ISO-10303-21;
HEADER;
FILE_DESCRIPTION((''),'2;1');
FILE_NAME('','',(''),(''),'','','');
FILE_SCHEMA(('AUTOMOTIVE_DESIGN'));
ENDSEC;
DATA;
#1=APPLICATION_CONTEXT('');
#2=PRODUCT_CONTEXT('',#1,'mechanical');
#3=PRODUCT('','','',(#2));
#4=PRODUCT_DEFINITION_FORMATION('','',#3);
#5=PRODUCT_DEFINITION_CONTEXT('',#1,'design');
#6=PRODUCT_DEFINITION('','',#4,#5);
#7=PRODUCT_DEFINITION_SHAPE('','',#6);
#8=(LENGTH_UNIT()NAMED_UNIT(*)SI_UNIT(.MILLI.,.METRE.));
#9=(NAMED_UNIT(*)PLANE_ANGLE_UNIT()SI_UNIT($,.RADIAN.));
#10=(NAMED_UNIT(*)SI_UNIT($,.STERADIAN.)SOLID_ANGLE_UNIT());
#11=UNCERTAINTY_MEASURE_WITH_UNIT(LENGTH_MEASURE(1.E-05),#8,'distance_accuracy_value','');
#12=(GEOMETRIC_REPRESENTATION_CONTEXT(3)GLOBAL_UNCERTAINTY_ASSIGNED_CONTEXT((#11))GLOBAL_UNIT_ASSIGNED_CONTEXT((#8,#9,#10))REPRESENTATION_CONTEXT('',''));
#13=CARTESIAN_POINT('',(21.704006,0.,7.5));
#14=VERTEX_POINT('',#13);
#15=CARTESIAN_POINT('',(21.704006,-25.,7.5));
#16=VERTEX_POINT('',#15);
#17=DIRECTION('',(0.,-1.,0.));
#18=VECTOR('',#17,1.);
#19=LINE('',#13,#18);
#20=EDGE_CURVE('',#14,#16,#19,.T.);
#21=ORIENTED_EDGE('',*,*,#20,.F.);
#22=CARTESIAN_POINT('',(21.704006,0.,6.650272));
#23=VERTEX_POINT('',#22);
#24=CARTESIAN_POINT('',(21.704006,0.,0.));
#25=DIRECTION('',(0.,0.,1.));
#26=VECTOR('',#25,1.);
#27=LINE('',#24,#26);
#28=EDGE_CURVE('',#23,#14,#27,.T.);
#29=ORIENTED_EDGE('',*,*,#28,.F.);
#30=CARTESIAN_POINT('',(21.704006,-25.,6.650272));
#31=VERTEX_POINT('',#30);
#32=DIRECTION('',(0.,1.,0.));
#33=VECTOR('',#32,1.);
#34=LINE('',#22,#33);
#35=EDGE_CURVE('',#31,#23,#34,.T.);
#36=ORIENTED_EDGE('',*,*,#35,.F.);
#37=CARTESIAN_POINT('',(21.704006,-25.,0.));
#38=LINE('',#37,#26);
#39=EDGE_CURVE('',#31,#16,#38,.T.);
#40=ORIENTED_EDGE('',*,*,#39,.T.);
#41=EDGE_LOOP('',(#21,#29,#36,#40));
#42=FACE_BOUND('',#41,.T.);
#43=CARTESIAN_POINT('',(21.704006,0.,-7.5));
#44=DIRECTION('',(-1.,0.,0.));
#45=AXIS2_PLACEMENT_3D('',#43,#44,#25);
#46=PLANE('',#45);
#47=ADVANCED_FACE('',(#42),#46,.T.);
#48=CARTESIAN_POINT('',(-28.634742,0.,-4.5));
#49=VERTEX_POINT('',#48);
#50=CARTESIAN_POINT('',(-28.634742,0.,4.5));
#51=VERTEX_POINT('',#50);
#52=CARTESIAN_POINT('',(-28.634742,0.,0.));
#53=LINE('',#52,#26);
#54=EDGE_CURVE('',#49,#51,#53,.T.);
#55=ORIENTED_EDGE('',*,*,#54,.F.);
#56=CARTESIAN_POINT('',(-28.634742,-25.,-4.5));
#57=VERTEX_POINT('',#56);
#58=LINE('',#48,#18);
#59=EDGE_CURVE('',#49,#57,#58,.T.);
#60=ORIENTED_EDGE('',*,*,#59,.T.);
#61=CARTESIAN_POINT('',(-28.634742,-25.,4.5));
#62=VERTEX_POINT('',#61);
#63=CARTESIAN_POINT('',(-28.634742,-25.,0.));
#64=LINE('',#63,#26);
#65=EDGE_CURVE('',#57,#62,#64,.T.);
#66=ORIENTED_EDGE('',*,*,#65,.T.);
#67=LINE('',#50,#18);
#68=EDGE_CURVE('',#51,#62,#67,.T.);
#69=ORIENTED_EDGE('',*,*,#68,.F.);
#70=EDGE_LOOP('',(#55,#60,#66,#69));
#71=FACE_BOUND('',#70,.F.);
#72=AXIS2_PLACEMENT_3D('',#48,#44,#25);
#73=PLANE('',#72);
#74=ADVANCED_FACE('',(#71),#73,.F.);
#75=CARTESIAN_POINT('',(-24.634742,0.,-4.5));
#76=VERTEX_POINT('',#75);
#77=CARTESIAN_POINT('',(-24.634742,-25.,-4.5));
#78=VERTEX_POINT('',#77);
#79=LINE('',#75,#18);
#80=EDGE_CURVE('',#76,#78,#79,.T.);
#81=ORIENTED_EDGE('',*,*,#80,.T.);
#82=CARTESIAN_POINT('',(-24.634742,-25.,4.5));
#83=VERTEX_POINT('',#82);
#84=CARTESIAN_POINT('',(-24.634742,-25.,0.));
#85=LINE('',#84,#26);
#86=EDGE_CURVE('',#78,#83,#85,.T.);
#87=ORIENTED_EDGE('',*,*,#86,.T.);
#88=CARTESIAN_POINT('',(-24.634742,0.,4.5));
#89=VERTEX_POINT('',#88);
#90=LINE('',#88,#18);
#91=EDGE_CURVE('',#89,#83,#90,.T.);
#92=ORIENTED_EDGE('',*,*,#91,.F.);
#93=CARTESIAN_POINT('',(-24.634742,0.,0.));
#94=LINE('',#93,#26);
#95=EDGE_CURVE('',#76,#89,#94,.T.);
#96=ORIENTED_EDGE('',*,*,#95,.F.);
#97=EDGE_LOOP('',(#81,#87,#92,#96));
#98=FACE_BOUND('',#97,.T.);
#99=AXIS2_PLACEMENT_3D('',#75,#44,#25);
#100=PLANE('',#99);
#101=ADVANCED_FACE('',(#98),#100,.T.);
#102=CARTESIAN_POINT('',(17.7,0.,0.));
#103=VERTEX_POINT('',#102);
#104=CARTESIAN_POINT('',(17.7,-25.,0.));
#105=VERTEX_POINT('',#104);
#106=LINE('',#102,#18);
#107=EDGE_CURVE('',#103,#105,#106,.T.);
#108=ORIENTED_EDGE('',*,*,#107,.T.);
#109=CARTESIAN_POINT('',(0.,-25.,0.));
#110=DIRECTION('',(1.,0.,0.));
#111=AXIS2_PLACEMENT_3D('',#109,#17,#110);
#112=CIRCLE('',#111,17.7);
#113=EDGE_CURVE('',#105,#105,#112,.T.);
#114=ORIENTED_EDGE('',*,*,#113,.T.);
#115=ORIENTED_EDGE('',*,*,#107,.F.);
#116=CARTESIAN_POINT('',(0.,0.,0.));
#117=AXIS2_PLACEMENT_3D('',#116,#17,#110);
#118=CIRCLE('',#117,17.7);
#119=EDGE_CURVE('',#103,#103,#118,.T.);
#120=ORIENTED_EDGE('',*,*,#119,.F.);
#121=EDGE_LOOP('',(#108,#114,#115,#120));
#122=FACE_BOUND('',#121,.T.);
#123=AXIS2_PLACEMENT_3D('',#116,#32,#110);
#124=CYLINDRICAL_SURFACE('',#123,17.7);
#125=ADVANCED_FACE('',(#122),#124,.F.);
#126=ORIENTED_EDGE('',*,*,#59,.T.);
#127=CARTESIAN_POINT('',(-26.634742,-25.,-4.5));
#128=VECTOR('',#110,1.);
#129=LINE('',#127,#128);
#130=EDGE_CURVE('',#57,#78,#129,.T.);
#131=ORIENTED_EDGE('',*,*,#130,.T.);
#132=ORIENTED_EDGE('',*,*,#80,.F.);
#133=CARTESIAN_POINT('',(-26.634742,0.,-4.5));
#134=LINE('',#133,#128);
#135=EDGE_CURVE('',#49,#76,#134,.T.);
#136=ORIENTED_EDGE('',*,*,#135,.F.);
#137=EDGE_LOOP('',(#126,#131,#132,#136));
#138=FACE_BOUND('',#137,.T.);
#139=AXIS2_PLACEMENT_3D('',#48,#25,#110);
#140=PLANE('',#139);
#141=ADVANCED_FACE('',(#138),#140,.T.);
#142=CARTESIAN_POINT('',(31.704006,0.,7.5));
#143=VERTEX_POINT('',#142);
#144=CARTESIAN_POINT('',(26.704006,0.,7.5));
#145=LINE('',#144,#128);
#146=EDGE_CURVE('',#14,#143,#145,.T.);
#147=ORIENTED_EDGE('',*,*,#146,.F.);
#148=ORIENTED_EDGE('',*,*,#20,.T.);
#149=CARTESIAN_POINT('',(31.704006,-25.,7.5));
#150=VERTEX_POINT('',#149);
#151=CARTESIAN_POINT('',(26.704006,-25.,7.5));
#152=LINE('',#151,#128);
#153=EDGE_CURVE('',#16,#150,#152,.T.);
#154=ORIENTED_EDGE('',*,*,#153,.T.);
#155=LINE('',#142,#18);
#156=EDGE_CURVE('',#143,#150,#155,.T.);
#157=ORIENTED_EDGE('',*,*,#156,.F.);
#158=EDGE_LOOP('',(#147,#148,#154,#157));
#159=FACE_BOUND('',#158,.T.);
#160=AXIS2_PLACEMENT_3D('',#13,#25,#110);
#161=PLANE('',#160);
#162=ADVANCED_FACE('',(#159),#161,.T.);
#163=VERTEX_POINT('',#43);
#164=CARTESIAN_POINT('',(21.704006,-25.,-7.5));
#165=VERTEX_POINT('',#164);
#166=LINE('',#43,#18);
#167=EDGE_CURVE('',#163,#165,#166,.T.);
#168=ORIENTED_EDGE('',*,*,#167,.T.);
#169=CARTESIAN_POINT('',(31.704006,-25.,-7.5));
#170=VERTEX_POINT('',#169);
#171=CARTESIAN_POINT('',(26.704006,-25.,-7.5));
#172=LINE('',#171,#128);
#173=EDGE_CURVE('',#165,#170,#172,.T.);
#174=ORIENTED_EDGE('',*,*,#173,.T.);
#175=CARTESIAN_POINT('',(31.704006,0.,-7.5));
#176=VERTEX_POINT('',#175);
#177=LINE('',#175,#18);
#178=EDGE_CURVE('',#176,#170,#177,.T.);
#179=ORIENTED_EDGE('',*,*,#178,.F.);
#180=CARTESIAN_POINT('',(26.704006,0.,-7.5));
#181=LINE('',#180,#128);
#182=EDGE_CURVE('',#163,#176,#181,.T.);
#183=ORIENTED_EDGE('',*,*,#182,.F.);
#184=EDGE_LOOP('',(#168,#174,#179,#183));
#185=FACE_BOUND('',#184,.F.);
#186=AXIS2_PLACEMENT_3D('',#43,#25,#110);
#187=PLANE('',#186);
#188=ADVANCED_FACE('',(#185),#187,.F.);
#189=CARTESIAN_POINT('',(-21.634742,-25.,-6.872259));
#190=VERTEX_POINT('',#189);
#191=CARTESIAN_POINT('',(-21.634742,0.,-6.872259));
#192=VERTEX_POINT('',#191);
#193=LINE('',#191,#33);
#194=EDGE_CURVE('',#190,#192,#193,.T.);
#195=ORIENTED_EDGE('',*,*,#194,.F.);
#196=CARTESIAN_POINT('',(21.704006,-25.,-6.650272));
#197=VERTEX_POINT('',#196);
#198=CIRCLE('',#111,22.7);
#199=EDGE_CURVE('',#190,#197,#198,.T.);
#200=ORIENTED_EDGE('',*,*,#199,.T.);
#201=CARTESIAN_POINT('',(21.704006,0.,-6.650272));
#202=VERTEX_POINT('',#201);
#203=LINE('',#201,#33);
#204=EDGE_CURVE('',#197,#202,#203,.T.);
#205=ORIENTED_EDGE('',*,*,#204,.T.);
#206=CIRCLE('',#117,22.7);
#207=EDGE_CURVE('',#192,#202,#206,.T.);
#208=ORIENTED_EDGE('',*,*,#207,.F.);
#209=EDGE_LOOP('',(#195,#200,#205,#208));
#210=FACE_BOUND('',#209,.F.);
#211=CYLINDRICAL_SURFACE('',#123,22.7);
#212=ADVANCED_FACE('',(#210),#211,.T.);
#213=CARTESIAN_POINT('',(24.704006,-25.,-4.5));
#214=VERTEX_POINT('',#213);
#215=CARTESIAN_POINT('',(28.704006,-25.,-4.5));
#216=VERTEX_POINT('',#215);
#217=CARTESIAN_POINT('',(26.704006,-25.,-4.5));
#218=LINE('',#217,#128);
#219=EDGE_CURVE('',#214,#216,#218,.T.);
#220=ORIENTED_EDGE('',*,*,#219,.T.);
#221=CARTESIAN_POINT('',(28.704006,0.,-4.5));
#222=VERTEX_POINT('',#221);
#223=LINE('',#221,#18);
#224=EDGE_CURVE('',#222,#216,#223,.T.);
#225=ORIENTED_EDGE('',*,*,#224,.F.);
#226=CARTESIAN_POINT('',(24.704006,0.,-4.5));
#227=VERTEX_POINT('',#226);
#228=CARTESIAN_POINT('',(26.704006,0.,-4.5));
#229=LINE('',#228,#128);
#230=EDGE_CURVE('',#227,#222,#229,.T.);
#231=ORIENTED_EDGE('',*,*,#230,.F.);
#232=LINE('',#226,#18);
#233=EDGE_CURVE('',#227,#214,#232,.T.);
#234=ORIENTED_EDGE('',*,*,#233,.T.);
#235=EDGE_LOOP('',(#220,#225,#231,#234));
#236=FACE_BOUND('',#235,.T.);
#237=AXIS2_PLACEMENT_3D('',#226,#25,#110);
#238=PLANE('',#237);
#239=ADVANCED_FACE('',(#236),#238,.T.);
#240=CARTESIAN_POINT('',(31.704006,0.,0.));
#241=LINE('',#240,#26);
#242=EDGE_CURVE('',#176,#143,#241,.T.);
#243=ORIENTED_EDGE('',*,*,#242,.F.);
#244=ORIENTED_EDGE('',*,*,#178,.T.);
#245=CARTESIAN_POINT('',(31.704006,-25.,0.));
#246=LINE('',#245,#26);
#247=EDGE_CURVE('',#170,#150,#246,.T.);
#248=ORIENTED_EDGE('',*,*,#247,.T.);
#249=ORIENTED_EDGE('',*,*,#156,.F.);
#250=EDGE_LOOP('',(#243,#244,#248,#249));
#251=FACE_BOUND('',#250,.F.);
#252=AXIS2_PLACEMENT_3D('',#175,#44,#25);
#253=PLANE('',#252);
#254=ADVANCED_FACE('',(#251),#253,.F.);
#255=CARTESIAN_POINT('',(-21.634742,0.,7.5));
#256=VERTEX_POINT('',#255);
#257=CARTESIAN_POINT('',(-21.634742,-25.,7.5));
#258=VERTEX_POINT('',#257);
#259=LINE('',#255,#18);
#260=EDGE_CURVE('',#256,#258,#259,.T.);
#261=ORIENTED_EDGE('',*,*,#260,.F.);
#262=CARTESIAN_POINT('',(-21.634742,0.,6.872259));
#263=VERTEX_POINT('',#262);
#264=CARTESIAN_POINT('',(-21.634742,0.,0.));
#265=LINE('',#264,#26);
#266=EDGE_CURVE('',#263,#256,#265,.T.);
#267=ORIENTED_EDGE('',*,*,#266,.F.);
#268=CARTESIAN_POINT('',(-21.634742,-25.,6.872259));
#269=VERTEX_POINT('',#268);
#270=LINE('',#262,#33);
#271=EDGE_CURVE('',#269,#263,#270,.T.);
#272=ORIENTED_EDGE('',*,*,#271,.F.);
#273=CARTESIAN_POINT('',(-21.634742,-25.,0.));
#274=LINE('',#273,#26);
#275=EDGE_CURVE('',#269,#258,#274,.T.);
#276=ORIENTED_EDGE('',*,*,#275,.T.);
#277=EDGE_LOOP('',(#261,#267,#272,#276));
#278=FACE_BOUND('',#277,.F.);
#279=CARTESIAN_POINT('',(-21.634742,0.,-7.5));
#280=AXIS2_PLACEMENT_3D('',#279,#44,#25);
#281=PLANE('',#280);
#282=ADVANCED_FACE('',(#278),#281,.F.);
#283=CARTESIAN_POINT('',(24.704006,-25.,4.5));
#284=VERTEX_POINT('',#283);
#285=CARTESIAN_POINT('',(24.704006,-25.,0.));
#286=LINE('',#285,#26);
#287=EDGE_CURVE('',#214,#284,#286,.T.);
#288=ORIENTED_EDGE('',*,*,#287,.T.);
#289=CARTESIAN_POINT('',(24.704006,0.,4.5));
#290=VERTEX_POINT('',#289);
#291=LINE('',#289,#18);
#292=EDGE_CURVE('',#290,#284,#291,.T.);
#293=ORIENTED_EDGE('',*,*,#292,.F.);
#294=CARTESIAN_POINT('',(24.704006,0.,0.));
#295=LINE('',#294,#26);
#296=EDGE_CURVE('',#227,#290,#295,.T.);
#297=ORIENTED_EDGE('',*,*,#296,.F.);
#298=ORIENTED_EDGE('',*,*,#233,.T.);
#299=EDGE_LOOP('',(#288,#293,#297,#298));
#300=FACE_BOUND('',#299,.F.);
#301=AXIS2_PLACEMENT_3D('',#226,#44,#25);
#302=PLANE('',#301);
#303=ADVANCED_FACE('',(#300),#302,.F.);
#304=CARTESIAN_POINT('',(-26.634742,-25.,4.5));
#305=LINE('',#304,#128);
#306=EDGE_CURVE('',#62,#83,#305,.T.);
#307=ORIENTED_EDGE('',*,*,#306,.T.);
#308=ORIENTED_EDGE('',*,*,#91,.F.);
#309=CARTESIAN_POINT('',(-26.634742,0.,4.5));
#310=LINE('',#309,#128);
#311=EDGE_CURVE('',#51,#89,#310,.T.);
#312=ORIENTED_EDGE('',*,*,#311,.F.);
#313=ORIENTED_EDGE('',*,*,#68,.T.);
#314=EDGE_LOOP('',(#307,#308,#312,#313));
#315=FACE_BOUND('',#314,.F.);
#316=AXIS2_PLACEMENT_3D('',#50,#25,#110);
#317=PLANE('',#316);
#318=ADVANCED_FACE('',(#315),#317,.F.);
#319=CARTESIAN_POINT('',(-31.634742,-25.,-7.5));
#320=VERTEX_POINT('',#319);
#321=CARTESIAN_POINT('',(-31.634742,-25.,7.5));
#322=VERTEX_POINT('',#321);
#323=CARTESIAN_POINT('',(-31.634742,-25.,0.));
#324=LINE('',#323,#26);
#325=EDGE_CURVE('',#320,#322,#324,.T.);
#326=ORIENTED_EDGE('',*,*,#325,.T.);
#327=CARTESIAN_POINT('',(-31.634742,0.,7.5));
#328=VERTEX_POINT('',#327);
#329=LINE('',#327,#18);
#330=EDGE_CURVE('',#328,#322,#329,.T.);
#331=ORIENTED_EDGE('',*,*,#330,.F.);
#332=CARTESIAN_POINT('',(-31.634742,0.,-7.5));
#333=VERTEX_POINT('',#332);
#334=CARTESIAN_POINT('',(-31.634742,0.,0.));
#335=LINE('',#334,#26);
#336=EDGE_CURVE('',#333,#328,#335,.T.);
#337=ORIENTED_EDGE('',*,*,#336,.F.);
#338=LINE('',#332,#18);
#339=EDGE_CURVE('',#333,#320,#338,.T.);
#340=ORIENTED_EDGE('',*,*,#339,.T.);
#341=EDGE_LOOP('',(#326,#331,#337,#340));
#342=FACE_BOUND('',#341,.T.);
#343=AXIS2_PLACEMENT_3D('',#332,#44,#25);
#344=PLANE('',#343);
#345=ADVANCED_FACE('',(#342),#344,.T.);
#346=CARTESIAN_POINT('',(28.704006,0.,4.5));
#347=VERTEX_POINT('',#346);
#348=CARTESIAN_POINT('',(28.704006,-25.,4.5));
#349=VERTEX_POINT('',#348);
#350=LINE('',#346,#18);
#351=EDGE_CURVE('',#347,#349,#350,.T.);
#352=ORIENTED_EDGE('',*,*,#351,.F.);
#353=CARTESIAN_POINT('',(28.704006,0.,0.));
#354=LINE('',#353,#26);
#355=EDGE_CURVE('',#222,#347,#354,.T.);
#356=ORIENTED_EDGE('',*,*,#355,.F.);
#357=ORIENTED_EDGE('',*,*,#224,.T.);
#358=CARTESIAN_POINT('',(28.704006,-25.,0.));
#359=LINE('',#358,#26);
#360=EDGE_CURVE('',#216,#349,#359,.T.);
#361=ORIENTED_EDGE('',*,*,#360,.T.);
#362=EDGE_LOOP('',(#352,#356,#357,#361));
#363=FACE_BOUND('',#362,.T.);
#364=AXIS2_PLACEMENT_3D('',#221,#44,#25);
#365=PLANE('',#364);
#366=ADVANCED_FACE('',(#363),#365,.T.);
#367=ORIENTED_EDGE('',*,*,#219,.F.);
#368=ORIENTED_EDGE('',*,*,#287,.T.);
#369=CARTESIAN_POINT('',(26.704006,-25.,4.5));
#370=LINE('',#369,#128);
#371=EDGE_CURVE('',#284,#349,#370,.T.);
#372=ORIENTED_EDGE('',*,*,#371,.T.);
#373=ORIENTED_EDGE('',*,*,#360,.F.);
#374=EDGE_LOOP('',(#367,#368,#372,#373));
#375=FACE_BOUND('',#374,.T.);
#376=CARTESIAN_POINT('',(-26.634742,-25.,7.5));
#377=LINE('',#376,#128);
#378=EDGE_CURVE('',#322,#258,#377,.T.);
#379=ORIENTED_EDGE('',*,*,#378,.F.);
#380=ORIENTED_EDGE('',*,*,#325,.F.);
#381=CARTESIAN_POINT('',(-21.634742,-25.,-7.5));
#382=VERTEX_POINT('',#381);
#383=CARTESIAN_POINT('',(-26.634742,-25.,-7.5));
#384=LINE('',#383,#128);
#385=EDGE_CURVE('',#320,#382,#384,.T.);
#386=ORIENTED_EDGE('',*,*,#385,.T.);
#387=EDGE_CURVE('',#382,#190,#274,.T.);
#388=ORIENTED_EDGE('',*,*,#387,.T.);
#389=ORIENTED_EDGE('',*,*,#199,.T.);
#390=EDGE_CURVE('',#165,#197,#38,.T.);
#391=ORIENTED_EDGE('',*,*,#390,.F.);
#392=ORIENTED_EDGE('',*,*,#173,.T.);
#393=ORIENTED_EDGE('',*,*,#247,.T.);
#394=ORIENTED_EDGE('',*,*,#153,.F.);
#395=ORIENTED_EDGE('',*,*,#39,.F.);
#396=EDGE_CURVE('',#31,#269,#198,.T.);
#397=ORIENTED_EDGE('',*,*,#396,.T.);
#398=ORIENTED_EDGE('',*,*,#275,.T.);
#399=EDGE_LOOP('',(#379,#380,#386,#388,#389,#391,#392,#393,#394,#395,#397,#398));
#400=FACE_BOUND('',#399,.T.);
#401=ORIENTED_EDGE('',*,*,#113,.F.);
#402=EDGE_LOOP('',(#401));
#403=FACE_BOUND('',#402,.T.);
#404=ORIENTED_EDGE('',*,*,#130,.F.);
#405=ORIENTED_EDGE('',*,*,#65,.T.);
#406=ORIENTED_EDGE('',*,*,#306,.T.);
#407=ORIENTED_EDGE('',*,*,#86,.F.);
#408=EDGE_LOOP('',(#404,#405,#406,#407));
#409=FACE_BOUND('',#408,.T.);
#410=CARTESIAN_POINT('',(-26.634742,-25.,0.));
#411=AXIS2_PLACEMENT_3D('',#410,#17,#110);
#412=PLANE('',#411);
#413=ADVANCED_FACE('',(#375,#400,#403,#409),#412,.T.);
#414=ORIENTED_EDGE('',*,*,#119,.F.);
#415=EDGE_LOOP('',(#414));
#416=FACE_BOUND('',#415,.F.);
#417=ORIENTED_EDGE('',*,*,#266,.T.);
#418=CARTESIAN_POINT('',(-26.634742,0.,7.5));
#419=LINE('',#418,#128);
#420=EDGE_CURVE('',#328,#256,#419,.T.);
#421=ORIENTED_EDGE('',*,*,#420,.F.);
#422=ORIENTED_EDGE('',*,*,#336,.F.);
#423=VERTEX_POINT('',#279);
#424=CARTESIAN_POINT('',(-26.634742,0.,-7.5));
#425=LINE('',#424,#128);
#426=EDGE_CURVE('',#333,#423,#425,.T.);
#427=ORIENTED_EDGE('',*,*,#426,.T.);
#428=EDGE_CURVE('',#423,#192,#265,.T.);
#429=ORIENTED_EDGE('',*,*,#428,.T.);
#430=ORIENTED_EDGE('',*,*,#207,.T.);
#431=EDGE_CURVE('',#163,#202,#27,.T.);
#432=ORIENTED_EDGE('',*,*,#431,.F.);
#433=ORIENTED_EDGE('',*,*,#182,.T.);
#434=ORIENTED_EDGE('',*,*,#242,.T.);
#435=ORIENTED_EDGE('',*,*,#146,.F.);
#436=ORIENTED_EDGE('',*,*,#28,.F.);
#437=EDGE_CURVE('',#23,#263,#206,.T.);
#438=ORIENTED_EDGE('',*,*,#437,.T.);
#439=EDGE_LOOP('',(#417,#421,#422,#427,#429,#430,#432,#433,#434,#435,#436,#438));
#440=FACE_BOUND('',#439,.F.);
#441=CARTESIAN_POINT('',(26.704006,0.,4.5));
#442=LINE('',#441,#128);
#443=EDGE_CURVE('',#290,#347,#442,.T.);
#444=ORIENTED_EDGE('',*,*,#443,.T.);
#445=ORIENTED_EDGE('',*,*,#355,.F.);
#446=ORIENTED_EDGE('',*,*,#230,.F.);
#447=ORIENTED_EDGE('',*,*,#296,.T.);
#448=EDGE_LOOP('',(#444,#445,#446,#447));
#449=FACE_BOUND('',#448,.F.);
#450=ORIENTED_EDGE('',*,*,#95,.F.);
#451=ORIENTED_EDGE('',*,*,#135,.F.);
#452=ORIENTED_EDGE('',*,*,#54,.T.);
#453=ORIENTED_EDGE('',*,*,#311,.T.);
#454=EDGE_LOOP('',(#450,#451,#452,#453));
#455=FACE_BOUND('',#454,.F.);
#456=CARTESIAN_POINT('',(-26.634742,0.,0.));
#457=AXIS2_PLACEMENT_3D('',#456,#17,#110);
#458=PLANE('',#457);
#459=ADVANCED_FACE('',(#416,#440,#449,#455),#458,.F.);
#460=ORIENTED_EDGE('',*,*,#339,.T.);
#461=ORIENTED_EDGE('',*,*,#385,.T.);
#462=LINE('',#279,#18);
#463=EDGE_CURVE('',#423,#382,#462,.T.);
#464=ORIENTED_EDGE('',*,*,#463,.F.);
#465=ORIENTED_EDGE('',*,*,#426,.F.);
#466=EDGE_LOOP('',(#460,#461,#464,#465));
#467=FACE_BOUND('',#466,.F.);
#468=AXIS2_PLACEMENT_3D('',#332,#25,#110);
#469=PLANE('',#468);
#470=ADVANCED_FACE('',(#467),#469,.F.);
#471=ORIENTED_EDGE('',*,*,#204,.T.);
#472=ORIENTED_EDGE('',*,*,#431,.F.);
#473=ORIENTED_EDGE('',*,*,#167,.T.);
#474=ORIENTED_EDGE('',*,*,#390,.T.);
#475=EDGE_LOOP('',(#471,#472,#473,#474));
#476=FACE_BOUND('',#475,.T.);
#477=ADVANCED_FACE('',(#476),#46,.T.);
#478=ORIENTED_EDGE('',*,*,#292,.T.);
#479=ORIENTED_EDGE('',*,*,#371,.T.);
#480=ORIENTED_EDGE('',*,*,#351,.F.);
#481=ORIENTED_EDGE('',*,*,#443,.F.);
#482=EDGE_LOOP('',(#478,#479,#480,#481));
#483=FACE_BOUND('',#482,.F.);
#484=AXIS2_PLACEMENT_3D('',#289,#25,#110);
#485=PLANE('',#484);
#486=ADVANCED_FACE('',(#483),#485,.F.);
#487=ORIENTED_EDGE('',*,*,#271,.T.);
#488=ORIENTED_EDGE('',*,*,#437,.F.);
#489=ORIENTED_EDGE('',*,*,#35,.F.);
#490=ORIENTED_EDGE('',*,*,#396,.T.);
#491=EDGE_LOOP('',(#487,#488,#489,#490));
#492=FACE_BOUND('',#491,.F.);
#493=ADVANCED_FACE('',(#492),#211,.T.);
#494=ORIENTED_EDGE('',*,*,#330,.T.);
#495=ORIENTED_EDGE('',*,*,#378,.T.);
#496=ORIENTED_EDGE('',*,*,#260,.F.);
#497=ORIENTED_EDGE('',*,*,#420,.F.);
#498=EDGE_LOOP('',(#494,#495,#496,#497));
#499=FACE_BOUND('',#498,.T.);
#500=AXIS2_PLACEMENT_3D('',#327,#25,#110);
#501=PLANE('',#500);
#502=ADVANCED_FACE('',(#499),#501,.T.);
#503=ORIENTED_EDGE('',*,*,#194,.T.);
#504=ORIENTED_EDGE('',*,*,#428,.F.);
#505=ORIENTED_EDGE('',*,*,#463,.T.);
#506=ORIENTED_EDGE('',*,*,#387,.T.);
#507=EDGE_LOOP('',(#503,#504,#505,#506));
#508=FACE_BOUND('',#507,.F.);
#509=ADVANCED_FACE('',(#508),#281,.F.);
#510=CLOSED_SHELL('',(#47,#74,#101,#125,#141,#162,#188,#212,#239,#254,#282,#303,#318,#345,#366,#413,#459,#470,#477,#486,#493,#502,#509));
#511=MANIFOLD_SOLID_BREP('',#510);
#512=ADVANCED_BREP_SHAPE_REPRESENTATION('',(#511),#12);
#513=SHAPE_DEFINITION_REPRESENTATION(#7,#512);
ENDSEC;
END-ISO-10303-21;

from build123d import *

# Parameters (mm, degrees)
F0_R     = 22.7
F0_R_2   = 17.7
F1_DEPTH = 25
F2_W     = 10
F2_H     = 15
F2_W_2   = 4
F2_H_2   = 9
F3_DEPTH = 25


with BuildPart() as f1:
    # F0 (on Front) → F1 (new body)
    with BuildSketch(Plane.XZ):
        Circle(F0_R)
        Circle(F0_R_2, mode=Mode.SUBTRACT)
    extrude(amount=F1_DEPTH)

    # F2 (on Front) → F3 (join)
    with BuildSketch(Plane.XZ):
        with Locations((-26.634742, 0)):
            Rectangle(F2_W, F2_H)
        with Locations((-26.634742, 0)):
            Rectangle(F2_W_2, F2_H_2, mode=Mode.SUBTRACT)
        with Locations((26.704006, 0)):
            Rectangle(F2_W, F2_H)
        with Locations((26.704006, 0)):
            Rectangle(F2_W_2, F2_H_2, mode=Mode.SUBTRACT)
    extrude(amount=F3_DEPTH)


solid = f1.part
